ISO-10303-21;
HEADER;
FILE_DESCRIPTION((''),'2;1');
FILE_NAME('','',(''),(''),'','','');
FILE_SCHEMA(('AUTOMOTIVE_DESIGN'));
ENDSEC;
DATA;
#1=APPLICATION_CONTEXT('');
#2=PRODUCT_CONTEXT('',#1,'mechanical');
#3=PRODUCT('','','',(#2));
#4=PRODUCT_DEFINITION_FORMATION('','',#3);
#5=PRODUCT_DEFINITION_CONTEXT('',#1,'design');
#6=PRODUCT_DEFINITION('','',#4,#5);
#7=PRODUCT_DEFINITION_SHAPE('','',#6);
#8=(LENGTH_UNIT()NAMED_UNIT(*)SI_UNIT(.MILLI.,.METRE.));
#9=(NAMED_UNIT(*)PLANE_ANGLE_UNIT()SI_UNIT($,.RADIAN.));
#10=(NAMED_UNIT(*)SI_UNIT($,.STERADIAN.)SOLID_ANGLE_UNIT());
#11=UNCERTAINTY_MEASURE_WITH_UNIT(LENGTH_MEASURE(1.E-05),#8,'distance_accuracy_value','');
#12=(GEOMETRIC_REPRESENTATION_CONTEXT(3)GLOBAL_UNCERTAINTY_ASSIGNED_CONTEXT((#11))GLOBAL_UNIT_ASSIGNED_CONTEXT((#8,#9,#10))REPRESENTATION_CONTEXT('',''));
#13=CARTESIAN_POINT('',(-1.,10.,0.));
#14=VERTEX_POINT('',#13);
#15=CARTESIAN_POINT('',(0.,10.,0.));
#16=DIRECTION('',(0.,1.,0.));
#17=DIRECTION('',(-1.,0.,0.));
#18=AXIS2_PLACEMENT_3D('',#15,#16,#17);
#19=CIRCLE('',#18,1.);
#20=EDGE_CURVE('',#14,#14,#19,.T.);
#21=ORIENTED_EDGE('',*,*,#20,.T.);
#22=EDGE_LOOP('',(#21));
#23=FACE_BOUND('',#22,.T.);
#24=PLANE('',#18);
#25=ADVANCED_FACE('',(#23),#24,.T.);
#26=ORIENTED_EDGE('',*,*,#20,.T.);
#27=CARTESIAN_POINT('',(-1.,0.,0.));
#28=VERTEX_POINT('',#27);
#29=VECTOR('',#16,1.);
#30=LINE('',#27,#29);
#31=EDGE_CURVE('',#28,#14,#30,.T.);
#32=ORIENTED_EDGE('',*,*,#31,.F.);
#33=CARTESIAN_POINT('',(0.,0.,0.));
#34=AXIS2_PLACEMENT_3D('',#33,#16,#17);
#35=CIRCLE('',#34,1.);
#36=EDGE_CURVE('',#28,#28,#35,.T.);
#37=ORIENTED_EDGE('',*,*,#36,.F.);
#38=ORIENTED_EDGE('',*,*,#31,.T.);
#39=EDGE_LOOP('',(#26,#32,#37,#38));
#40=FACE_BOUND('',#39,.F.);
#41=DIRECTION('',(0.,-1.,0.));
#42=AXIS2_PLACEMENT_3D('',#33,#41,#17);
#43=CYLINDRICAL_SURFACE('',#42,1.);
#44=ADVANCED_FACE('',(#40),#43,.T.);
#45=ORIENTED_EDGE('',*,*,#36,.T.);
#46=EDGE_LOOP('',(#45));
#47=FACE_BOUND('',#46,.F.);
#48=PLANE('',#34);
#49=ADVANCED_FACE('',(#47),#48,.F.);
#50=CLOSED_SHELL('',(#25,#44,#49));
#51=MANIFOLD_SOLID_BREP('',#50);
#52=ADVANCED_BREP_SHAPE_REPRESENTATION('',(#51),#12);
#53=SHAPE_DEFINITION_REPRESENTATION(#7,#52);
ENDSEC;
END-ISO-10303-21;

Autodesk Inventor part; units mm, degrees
ref_plane "YZ Plane" through (0, 0, 0) normal (1, 0, 0) x (0, 1, 0)
ref_plane "XZ Plane" through (0, 0, 0) normal (0, 1, 0) x (-1, 0, 0)
ref_plane "XY Plane" through (0, 0, 0) normal (0, 0, 1) x (1, 0, 0)
sketch "Sketch1" plane through (0, 0, 0) normal (0, 1, 0) x (-1, 0, 0)
  circle A0 centre (0, 0) radius 1
  dimension "d0" = 2
extrude "Extrusion1" add sketch "Sketch1" along normal blind 10
properties part number "rod"
